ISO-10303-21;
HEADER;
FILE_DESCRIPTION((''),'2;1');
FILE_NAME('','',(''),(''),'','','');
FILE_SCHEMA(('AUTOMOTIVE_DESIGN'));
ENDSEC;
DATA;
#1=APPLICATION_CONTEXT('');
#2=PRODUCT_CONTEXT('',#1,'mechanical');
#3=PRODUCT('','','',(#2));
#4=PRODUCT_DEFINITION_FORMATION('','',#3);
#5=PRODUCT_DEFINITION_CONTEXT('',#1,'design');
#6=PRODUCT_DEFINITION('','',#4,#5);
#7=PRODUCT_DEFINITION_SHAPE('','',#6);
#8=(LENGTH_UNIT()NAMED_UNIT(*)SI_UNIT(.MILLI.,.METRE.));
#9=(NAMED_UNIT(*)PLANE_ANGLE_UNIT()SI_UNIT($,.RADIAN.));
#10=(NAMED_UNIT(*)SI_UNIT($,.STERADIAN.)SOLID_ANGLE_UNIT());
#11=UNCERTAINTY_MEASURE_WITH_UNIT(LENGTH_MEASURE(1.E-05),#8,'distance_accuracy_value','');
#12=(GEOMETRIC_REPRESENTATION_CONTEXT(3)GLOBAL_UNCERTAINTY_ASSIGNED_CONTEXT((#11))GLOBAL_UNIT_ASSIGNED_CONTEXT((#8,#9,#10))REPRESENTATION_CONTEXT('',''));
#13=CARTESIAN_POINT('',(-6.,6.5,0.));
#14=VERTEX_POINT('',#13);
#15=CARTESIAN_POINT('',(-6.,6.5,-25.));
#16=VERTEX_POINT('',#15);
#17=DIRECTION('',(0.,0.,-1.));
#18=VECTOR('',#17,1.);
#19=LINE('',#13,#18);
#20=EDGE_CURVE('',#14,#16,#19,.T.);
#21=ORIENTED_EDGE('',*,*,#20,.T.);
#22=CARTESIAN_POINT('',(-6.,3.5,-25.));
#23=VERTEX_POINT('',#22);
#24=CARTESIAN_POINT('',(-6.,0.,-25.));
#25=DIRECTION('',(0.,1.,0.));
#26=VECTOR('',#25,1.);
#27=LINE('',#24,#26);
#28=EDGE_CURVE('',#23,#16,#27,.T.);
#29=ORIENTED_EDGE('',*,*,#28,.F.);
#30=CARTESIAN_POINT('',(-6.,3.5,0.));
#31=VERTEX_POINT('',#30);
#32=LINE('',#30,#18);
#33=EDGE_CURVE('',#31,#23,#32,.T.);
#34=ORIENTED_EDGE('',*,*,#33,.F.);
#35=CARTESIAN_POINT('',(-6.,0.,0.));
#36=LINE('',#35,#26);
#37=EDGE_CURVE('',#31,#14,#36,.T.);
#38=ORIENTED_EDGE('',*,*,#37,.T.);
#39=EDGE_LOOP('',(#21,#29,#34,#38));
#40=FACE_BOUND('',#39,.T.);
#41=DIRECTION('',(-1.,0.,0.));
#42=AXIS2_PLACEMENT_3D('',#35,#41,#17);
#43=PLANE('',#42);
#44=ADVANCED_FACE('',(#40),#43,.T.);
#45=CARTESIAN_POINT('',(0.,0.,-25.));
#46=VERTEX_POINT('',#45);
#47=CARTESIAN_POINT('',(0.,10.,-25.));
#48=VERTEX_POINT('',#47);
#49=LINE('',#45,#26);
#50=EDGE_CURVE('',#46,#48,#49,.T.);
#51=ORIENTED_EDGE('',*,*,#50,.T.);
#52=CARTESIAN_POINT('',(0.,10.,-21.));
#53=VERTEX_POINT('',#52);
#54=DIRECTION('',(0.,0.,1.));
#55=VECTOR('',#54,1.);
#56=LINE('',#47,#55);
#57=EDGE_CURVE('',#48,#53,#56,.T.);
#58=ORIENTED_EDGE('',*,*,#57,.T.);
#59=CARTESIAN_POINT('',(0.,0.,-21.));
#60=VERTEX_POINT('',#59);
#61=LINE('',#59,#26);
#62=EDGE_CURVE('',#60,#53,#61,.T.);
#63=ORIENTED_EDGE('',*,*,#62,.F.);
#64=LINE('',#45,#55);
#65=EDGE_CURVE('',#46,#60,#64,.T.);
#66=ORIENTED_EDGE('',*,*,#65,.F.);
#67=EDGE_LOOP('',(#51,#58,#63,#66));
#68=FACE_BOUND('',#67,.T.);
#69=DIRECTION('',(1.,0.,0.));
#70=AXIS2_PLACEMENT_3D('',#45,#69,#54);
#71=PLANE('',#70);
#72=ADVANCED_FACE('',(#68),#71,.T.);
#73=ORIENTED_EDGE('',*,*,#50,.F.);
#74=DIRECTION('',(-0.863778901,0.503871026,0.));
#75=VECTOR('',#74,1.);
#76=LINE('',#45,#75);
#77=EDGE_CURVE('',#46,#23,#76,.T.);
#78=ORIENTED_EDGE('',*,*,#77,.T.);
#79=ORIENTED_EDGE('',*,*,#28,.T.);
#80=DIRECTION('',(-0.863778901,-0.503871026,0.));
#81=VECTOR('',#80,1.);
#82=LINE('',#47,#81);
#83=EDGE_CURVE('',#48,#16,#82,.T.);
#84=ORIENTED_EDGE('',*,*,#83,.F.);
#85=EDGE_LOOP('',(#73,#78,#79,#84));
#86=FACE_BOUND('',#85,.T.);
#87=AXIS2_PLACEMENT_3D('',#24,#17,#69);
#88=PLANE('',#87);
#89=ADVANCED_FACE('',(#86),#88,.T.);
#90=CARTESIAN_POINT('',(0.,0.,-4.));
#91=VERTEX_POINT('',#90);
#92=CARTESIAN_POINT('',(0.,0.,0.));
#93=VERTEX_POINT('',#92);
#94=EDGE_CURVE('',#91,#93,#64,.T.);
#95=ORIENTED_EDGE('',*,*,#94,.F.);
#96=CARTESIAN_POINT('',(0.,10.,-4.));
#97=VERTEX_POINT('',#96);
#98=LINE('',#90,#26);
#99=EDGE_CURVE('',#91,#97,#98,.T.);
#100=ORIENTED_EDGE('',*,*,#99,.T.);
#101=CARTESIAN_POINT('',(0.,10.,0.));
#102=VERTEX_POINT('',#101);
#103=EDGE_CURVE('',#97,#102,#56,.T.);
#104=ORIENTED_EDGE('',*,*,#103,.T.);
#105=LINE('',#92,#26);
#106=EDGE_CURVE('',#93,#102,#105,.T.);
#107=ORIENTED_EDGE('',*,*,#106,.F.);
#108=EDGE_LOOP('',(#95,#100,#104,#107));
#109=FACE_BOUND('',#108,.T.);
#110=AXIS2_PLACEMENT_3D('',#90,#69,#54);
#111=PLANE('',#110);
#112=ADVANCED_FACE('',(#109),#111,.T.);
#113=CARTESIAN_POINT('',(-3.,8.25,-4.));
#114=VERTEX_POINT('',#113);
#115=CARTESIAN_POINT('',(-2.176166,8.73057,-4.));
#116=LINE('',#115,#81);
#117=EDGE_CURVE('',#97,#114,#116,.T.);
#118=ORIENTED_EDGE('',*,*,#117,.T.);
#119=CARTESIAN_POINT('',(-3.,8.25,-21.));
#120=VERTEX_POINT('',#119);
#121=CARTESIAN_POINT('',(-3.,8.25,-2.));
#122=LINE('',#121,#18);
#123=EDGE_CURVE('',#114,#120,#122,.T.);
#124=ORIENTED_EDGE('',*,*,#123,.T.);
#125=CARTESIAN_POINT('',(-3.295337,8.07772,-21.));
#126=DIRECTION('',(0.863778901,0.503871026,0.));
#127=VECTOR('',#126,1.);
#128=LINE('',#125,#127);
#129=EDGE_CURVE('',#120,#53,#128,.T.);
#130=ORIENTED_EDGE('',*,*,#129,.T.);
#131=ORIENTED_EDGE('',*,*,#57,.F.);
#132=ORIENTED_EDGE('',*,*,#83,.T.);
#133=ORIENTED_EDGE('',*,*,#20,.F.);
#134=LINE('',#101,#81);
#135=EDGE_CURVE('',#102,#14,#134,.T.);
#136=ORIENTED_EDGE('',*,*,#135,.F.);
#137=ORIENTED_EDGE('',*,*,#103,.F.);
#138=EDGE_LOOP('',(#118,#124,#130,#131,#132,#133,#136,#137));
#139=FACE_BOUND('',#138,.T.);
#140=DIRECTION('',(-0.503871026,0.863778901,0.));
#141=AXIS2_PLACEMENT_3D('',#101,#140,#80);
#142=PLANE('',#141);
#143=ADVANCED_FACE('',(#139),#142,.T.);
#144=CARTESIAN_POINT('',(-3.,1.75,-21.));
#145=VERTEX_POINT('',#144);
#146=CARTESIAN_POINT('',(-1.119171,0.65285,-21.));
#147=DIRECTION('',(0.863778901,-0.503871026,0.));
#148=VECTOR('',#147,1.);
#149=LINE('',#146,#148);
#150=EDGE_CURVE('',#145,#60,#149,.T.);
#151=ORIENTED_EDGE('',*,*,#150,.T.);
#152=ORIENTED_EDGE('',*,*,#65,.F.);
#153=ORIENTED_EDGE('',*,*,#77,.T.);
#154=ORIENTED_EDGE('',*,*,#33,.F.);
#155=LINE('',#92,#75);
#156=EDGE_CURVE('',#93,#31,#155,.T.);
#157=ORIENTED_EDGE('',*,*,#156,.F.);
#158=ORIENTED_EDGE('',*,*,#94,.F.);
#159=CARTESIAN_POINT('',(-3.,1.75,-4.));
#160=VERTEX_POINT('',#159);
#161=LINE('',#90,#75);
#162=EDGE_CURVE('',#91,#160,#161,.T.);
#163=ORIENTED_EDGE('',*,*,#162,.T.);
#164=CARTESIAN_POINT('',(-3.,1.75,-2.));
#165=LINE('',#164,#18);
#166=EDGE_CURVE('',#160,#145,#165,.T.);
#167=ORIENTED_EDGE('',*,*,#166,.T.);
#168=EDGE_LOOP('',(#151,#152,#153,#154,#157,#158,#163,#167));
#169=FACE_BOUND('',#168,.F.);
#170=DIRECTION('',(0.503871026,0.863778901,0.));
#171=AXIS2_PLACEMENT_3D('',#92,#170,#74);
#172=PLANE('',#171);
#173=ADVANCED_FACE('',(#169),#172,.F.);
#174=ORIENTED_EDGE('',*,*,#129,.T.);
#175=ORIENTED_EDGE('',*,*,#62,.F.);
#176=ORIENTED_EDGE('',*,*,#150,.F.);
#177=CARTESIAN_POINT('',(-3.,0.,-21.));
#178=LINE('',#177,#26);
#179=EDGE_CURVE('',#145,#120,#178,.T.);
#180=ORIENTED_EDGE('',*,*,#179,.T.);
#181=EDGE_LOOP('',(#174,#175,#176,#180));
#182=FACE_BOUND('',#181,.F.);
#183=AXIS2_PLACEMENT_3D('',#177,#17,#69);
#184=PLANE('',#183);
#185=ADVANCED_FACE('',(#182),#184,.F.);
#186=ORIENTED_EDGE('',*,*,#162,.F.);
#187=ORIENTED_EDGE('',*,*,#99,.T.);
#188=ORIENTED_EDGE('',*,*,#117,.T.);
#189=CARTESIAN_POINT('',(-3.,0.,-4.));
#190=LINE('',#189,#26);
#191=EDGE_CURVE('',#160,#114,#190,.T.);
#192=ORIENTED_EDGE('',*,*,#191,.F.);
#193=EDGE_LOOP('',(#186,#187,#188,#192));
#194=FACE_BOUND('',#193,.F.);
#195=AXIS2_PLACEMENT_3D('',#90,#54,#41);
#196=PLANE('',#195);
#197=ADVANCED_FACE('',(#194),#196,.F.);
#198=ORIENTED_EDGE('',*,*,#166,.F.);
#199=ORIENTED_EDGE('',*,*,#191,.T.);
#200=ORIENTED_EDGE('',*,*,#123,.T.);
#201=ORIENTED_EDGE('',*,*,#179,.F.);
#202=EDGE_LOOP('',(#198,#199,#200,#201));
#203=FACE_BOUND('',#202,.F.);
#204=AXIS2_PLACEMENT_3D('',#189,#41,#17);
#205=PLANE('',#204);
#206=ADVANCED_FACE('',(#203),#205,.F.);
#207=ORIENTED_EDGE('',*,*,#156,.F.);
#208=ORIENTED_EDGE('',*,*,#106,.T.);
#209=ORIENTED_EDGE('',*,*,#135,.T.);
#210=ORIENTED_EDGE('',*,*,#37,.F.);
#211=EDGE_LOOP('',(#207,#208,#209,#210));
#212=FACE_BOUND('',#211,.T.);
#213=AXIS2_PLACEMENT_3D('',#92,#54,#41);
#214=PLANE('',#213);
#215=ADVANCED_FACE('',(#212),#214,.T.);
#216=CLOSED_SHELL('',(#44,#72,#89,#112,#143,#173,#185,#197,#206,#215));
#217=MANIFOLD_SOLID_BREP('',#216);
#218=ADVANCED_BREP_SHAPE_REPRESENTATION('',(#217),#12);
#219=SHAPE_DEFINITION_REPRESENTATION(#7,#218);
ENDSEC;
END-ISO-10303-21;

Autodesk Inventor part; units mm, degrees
ref_plane "YZ Plane" through (0, 0, 0) normal (1, 0, 0) x (0, 1, 0)
ref_plane "XZ Plane" through (0, 0, 0) normal (0, 1, 0) x (-1, 0, 0)
ref_plane "XY Plane" through (0, 0, 0) normal (0, 0, 1) x (1, 0, 0)
sketch "Sketch1" plane through (0, 0, 0) normal (0, 1, 0) x (-1, 0, 0)
  line L0 (0, 0) -> (6, 0)
  line L1 (6, 0) -> (6, -25)
  line L2 (6, -25) -> (0, -25)
  line L3 (0, -25) -> (0, 0)
  line L4 (0, -21) -> (0, -4)
  dimension "d0" = 25
  dimension "d1" = 6
sketch "Sketch2" plane through (0, 0, 0) normal (0, 0, 1) x (1, 0, 0)
  line L0 (0, 0) -> (-6, 0)
  line L1 (-6, 0) -> (-6, 10)
  line L2 (-6, 10) -> (0, 10)
  line L3 (0, 10) -> (0, 0)
  line L4 (0, 0) -> (-6, 3.5)
  line L5 (0, 10) -> (-6, 6.5)
  dimension "d5" = 10
  dimension "d6" = 6
  dimension "d13" = 3.5
  dimension "d14" = 3.5
sketch "Sketch3" plane through (0, 0, 0) normal (0, 1, 0) x (-1, 0, 0)
  line L0 (0, -4) -> (3, -4)
  line L1 (3, -4) -> (3, -21)
  line L2 (3, -21) -> (0, -21)
  line L3 (0, -21) -> (0, -4)
  point P0 (0, 0)
  dimension "d7" = 4
  dimension "d8" = 3
  dimension "d9" = 21
  dimension "d10" = 0
extrude "Extrusion1" add sketch "Sketch1" along normal blind 10
extrude "Extrusion2" cut sketch "Sketch3" along normal blind 10
extrude "Extrusion3" cut sketch "Sketch2" against normal blind 25 contours L5 L1 L2
extrude "Extrusion4" cut sketch "Sketch2" against normal blind 25 contours L0 L1 L4
equation "\"d6\" = d1"
equation "\"d13\" = d14"
equation "\"d9\" = d0 - d7"
equation "\"d11\" = d5"
equation "\"d15\" = d5"
equation "\"d17\" = d0"
equation "\"d19\" = d0"
properties part number "cable_tie_bracket"
